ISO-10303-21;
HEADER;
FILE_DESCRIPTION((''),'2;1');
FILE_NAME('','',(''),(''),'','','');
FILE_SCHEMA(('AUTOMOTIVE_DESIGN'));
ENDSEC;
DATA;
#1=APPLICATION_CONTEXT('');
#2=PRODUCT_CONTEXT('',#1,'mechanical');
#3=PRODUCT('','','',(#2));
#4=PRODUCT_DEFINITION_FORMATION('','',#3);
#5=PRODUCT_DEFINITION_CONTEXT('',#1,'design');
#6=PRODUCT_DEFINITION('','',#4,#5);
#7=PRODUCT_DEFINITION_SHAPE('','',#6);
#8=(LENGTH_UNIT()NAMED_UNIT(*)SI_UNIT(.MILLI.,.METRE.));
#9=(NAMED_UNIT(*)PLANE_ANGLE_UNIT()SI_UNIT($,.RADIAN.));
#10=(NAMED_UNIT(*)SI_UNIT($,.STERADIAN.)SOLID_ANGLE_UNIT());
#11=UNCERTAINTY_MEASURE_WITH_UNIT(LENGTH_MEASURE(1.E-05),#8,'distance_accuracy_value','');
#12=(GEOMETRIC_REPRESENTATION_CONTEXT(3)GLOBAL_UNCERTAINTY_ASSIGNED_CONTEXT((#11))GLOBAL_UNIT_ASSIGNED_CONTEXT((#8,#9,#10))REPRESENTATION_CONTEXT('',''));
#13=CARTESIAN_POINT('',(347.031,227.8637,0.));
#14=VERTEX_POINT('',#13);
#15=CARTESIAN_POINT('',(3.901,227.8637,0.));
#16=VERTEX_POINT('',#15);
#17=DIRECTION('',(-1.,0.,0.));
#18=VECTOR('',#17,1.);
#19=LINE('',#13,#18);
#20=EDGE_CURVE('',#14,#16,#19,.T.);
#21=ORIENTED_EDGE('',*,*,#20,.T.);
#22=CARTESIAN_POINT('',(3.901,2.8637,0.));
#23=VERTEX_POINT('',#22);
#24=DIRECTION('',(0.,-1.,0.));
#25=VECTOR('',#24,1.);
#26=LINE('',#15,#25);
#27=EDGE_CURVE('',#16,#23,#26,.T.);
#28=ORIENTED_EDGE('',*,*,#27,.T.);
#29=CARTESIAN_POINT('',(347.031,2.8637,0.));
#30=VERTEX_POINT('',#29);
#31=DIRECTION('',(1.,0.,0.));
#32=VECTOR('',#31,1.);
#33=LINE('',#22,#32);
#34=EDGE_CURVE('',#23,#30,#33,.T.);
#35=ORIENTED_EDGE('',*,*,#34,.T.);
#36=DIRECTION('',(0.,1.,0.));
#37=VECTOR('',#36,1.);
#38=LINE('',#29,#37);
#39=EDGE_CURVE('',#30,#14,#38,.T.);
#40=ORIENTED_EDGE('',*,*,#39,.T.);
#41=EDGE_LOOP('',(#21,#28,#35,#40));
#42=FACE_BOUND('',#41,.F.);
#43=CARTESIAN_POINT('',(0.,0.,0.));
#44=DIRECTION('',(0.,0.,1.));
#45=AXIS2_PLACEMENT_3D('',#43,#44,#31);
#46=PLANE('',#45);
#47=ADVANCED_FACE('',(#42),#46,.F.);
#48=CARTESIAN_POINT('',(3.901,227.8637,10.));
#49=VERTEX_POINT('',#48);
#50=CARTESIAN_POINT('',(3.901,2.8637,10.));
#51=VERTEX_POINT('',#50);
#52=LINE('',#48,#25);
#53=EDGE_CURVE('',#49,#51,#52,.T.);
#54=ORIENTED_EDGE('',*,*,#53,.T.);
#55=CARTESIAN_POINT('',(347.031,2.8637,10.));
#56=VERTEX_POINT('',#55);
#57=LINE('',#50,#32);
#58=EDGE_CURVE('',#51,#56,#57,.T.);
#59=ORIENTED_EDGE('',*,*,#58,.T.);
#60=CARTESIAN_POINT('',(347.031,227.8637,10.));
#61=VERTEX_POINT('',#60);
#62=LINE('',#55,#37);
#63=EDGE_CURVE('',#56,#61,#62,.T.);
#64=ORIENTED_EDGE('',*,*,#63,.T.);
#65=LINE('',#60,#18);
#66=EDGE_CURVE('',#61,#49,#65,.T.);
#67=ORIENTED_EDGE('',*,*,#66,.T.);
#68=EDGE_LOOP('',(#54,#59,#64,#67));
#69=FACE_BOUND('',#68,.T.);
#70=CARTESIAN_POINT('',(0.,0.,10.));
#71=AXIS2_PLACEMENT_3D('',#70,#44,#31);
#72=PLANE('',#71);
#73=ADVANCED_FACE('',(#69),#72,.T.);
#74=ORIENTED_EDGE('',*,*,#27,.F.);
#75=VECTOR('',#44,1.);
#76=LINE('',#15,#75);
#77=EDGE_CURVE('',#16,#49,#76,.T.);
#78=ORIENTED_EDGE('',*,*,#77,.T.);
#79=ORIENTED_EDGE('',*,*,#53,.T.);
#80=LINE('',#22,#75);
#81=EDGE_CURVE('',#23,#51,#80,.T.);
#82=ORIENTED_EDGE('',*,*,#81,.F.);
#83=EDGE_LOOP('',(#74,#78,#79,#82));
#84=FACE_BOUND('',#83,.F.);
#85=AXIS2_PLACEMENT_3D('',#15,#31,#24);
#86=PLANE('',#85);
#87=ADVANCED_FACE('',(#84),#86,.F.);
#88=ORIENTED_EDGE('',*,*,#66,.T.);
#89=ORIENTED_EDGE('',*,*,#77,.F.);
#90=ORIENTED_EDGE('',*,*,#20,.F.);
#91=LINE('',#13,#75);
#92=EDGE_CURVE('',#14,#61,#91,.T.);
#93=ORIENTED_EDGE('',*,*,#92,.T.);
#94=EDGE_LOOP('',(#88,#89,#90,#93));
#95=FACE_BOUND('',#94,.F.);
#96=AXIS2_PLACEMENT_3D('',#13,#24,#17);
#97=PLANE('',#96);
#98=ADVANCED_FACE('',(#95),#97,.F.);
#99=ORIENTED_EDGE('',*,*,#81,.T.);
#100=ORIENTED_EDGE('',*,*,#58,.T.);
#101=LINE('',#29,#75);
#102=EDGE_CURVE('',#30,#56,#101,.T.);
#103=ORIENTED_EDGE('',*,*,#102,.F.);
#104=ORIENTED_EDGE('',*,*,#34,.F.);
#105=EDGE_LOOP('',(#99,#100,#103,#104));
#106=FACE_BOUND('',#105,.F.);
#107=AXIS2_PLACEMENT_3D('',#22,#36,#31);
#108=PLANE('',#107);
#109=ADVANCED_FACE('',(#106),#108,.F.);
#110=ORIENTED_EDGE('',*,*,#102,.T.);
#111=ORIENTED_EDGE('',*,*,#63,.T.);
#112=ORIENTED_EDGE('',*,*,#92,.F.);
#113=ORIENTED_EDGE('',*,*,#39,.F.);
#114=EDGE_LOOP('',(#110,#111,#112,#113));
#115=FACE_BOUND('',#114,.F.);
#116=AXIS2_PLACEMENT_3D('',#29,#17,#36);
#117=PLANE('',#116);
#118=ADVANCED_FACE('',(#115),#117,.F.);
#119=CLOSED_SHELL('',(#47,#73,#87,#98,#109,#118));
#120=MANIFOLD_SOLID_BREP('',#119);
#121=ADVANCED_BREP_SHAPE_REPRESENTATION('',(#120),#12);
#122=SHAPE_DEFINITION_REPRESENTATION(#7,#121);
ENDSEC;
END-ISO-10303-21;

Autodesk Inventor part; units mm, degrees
ref_plane "YZ Plane" through (0, 0, 0) normal (1, 0, 0) x (0, 1, 0)
ref_plane "XZ Plane" through (0, 0, 0) normal (0, 1, 0) x (-1, 0, 0)
ref_plane "XY Plane" through (0, 0, 0) normal (0, 0, 1) x (1, 0, 0)
sketch "Sketch1" plane through (0, 0, 0) normal (0, 0, 1) x (1, 0, 0)
  line L0 (3.901, 2.8637) -> (347.031, 2.8637)
  line L1 (347.031, 2.8637) -> (347.031, 227.8637)
  line L2 (347.031, 227.8637) -> (3.901, 227.8637)
  line L3 (3.901, 227.8637) -> (3.901, 2.8637)
  point P0 (0, 0)
  dimension "d0" = 343.13
  dimension "d1" = 225
extrude "Extrusion1" add sketch "Sketch1" along normal blind 10
properties part number "5mmhieght"
